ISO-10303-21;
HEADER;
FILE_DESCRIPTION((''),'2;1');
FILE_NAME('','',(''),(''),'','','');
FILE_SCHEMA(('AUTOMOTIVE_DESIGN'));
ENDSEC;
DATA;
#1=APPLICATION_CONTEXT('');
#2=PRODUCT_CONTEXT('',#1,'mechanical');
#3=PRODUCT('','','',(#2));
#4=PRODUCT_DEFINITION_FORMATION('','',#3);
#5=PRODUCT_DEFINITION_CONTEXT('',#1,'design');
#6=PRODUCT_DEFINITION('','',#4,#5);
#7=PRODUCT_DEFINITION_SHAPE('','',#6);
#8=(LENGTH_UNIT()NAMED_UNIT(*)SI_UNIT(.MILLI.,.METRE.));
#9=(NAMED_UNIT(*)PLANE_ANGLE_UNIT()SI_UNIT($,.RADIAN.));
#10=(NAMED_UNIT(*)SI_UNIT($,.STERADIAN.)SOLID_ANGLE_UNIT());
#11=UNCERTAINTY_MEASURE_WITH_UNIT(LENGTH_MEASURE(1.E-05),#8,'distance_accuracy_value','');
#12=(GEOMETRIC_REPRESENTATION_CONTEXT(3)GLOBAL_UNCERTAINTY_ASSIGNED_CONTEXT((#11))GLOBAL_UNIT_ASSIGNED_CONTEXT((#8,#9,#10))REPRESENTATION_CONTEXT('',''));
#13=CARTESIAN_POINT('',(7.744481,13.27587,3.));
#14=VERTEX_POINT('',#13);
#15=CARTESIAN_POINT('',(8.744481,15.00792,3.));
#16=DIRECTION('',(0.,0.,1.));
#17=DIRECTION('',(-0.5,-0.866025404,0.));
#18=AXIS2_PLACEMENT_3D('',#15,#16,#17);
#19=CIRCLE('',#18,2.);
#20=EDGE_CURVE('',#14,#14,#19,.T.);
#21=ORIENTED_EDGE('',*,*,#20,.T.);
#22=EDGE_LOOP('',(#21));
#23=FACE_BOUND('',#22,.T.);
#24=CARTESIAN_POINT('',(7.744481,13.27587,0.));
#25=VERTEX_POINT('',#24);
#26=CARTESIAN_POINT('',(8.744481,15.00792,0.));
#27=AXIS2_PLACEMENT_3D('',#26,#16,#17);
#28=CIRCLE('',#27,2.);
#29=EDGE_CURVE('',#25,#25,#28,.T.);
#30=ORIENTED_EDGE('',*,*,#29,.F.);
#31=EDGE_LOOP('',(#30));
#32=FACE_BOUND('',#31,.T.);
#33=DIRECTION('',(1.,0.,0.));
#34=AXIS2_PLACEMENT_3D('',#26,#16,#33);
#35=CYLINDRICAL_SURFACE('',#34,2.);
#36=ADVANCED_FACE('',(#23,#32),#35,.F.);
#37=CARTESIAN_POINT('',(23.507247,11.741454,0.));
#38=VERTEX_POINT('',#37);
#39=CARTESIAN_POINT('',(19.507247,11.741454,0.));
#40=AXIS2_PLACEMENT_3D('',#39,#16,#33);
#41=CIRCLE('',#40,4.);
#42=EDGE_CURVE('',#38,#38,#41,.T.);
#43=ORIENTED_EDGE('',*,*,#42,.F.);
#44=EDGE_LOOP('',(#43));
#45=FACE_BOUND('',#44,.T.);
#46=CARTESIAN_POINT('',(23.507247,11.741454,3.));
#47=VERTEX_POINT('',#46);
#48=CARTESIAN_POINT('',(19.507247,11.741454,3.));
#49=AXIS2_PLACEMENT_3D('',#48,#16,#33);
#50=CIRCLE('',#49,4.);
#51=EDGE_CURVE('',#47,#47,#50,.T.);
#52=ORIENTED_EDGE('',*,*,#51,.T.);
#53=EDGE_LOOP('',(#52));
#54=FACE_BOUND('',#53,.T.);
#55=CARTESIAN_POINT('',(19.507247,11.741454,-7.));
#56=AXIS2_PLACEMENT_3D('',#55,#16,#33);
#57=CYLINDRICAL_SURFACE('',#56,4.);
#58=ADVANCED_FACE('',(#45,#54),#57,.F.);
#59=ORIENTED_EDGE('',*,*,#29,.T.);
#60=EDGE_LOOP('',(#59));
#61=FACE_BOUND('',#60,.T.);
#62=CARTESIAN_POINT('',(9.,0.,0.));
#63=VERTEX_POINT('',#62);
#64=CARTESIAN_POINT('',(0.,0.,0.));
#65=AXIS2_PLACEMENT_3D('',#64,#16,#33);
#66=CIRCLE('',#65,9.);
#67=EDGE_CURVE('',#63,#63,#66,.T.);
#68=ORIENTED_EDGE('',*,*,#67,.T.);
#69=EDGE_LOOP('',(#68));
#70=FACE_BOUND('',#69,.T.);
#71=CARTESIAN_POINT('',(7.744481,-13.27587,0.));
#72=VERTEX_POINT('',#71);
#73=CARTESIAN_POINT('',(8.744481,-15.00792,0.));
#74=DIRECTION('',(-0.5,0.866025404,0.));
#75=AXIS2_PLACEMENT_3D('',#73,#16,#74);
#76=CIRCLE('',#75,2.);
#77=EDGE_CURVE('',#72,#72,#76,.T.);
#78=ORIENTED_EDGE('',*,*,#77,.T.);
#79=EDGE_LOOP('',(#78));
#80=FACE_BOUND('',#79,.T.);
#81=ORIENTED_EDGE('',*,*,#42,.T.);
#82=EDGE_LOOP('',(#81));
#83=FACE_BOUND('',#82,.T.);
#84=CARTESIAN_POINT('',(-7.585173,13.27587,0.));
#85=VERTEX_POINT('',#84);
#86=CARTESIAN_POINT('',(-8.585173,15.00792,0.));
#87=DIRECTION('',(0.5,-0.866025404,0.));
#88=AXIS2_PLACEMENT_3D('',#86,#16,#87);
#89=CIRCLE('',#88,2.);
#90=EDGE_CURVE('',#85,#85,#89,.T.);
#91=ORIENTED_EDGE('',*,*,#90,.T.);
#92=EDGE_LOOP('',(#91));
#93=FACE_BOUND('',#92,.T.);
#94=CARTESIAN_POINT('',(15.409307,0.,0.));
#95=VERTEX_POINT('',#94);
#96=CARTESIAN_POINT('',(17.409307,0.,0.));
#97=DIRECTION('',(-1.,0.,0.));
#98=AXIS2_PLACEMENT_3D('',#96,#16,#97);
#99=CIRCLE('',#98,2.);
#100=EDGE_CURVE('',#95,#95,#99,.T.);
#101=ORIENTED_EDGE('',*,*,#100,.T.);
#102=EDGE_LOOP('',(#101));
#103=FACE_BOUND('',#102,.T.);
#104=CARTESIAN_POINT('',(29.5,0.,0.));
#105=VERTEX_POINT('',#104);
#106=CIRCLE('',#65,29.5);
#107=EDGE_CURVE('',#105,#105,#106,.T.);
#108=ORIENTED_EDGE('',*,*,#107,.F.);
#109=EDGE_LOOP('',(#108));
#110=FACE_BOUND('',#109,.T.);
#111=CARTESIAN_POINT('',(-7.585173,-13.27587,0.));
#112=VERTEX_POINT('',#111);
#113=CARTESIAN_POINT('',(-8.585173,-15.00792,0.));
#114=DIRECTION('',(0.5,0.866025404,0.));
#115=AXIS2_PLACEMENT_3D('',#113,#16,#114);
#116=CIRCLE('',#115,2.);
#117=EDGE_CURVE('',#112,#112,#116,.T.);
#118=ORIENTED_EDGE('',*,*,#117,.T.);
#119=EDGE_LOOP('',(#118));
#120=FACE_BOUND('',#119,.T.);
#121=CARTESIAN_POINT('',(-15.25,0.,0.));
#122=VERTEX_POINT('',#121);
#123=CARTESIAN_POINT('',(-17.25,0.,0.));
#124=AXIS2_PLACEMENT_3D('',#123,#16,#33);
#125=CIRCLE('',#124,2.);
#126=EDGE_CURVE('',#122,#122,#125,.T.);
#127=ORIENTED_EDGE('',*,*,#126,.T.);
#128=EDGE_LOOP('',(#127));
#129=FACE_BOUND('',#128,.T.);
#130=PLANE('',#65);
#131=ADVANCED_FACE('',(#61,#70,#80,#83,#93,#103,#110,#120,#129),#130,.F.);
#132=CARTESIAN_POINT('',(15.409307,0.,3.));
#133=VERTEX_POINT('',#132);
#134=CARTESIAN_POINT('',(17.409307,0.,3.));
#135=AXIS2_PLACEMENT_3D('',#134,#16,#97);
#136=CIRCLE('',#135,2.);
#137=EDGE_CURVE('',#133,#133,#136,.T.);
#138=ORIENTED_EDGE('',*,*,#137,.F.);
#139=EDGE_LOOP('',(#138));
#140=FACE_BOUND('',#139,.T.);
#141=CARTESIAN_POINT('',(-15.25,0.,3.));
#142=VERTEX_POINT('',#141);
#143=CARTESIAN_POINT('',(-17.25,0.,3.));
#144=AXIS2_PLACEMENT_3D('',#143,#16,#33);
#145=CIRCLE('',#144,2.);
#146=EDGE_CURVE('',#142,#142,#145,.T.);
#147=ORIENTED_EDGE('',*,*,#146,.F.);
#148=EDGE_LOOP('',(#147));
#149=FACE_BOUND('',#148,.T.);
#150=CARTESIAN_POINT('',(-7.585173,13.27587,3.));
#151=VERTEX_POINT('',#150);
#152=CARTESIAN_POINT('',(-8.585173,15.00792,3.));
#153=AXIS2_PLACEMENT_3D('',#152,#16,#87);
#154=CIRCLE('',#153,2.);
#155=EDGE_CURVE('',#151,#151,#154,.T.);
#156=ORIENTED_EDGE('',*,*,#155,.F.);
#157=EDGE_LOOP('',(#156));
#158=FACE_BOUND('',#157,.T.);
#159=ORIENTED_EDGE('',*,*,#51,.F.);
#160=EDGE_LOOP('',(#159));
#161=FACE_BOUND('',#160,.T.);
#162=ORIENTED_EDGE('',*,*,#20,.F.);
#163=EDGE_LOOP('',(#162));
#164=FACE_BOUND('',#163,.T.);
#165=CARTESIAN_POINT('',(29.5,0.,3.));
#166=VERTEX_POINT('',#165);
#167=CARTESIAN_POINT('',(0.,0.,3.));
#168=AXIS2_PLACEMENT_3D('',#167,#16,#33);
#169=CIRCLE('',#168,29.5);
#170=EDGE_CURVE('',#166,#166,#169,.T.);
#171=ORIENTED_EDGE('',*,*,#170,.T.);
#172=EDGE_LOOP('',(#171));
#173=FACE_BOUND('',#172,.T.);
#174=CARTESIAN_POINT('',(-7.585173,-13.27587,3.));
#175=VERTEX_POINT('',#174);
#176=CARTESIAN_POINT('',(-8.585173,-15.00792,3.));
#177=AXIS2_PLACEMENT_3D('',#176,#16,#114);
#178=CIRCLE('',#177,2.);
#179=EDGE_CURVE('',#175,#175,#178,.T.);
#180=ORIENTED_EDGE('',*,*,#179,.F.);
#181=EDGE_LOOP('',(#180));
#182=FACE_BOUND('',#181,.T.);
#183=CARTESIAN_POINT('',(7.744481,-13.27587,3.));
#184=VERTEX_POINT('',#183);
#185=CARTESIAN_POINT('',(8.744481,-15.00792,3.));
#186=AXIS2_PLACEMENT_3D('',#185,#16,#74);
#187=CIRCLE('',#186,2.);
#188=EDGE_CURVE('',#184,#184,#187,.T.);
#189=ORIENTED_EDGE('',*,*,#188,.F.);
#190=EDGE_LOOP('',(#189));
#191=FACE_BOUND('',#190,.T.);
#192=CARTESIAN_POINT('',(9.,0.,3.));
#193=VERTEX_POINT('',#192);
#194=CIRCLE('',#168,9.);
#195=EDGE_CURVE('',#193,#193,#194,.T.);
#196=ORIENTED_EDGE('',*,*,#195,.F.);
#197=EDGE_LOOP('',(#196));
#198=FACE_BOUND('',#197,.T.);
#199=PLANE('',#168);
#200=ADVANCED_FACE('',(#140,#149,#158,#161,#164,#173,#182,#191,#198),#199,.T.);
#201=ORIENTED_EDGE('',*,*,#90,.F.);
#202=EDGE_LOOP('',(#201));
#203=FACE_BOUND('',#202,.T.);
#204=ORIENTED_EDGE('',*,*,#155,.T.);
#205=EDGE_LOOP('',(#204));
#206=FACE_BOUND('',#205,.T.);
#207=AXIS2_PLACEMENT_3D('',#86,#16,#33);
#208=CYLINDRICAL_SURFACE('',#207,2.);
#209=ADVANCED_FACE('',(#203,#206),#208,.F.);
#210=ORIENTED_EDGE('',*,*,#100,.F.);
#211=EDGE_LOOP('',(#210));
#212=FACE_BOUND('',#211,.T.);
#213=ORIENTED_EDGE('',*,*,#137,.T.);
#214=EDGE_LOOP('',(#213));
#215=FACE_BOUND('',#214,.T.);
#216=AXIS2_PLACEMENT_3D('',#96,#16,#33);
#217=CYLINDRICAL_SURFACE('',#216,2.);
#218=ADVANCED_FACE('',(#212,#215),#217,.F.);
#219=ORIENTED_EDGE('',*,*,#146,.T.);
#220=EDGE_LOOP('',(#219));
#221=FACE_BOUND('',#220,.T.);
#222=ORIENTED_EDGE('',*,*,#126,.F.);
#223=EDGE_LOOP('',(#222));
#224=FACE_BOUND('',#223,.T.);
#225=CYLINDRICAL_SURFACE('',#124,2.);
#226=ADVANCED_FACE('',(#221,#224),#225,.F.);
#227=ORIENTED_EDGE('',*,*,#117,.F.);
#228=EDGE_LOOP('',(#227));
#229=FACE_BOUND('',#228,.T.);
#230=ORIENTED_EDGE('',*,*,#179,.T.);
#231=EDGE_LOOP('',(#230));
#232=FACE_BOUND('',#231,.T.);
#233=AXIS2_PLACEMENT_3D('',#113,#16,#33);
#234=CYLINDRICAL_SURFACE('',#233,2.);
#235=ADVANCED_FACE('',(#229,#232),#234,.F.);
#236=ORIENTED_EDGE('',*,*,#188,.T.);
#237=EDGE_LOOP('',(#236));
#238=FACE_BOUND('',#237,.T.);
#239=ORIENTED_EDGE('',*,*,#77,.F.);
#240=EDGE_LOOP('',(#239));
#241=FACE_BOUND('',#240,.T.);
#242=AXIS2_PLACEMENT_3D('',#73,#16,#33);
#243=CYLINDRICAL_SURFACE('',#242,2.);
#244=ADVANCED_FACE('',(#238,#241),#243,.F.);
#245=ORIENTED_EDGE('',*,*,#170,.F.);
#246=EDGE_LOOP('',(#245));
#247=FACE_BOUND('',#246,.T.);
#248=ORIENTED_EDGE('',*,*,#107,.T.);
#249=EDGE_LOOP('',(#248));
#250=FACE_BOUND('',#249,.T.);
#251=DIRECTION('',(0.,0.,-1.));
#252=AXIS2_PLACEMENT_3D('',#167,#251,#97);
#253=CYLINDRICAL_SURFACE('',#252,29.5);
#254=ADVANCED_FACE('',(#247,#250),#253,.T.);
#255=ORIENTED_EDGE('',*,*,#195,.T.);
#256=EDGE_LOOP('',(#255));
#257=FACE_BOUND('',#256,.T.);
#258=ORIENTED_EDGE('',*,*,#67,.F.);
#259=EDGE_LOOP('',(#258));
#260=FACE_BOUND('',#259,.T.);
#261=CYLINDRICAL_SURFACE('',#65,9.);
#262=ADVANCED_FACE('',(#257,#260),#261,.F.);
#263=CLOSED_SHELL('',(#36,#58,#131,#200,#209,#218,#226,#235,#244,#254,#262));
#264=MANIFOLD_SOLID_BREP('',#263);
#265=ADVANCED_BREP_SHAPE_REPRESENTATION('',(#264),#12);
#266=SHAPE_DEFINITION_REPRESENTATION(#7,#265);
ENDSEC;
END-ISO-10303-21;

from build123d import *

# Parameters (mm, degrees)
SKETCH_2_R               = 29.5
EXTRUDE_1_DEPTH          = 3
SKETCH_3_R               = 2
CUT_EXTRUDE_1_DEPTH      = 3
PATTERN_CIRCULAR_1_COUNT = 6
SKETCH_4_R               = 9
CUT_EXTRUDE_2_DEPTH      = 3
SKETCH_5_R               = 4
CUT_EXTRUDE_3_DEPTH      = 10


with BuildPart() as part:
    # 草图2 → 凸台-拉伸1 (new body)
    with BuildSketch(Plane.XY):
        Circle(SKETCH_2_R)
    extrude(amount=EXTRUDE_1_DEPTH)

    # 草图3 → 切除-拉伸1 (cut)
    with BuildSketch(Plane.XY.offset(3)):
        with Locations((-17.25, 0)):
            Circle(SKETCH_3_R)
    cut_extrude_1 = extrude(amount=-CUT_EXTRUDE_1_DEPTH, mode=Mode.SUBTRACT)

    # 阵列(圆周)1: 切除-拉伸1 ×6 about axis
    pattern_circular_1_axis = Axis((0.07965368, 0, 0), (0, 0, 1))
    for i in range(1, PATTERN_CIRCULAR_1_COUNT):
        add(cut_extrude_1.rotate(pattern_circular_1_axis, i * 360 / PATTERN_CIRCULAR_1_COUNT), mode=Mode.SUBTRACT)

    # 草图4 → 切除-拉伸2 (cut)
    with BuildSketch(Plane.XY.offset(3)):
        Circle(SKETCH_4_R)
    extrude(amount=-CUT_EXTRUDE_2_DEPTH, mode=Mode.SUBTRACT)

    # 草图5 → 切除-拉伸3 (cut)
    with BuildSketch(Plane.XY.offset(3)):
        with Locations((19.507246774, 11.74145424)):
            Circle(SKETCH_5_R)
    extrude(amount=-CUT_EXTRUDE_3_DEPTH, mode=Mode.SUBTRACT)


solid = part.part
